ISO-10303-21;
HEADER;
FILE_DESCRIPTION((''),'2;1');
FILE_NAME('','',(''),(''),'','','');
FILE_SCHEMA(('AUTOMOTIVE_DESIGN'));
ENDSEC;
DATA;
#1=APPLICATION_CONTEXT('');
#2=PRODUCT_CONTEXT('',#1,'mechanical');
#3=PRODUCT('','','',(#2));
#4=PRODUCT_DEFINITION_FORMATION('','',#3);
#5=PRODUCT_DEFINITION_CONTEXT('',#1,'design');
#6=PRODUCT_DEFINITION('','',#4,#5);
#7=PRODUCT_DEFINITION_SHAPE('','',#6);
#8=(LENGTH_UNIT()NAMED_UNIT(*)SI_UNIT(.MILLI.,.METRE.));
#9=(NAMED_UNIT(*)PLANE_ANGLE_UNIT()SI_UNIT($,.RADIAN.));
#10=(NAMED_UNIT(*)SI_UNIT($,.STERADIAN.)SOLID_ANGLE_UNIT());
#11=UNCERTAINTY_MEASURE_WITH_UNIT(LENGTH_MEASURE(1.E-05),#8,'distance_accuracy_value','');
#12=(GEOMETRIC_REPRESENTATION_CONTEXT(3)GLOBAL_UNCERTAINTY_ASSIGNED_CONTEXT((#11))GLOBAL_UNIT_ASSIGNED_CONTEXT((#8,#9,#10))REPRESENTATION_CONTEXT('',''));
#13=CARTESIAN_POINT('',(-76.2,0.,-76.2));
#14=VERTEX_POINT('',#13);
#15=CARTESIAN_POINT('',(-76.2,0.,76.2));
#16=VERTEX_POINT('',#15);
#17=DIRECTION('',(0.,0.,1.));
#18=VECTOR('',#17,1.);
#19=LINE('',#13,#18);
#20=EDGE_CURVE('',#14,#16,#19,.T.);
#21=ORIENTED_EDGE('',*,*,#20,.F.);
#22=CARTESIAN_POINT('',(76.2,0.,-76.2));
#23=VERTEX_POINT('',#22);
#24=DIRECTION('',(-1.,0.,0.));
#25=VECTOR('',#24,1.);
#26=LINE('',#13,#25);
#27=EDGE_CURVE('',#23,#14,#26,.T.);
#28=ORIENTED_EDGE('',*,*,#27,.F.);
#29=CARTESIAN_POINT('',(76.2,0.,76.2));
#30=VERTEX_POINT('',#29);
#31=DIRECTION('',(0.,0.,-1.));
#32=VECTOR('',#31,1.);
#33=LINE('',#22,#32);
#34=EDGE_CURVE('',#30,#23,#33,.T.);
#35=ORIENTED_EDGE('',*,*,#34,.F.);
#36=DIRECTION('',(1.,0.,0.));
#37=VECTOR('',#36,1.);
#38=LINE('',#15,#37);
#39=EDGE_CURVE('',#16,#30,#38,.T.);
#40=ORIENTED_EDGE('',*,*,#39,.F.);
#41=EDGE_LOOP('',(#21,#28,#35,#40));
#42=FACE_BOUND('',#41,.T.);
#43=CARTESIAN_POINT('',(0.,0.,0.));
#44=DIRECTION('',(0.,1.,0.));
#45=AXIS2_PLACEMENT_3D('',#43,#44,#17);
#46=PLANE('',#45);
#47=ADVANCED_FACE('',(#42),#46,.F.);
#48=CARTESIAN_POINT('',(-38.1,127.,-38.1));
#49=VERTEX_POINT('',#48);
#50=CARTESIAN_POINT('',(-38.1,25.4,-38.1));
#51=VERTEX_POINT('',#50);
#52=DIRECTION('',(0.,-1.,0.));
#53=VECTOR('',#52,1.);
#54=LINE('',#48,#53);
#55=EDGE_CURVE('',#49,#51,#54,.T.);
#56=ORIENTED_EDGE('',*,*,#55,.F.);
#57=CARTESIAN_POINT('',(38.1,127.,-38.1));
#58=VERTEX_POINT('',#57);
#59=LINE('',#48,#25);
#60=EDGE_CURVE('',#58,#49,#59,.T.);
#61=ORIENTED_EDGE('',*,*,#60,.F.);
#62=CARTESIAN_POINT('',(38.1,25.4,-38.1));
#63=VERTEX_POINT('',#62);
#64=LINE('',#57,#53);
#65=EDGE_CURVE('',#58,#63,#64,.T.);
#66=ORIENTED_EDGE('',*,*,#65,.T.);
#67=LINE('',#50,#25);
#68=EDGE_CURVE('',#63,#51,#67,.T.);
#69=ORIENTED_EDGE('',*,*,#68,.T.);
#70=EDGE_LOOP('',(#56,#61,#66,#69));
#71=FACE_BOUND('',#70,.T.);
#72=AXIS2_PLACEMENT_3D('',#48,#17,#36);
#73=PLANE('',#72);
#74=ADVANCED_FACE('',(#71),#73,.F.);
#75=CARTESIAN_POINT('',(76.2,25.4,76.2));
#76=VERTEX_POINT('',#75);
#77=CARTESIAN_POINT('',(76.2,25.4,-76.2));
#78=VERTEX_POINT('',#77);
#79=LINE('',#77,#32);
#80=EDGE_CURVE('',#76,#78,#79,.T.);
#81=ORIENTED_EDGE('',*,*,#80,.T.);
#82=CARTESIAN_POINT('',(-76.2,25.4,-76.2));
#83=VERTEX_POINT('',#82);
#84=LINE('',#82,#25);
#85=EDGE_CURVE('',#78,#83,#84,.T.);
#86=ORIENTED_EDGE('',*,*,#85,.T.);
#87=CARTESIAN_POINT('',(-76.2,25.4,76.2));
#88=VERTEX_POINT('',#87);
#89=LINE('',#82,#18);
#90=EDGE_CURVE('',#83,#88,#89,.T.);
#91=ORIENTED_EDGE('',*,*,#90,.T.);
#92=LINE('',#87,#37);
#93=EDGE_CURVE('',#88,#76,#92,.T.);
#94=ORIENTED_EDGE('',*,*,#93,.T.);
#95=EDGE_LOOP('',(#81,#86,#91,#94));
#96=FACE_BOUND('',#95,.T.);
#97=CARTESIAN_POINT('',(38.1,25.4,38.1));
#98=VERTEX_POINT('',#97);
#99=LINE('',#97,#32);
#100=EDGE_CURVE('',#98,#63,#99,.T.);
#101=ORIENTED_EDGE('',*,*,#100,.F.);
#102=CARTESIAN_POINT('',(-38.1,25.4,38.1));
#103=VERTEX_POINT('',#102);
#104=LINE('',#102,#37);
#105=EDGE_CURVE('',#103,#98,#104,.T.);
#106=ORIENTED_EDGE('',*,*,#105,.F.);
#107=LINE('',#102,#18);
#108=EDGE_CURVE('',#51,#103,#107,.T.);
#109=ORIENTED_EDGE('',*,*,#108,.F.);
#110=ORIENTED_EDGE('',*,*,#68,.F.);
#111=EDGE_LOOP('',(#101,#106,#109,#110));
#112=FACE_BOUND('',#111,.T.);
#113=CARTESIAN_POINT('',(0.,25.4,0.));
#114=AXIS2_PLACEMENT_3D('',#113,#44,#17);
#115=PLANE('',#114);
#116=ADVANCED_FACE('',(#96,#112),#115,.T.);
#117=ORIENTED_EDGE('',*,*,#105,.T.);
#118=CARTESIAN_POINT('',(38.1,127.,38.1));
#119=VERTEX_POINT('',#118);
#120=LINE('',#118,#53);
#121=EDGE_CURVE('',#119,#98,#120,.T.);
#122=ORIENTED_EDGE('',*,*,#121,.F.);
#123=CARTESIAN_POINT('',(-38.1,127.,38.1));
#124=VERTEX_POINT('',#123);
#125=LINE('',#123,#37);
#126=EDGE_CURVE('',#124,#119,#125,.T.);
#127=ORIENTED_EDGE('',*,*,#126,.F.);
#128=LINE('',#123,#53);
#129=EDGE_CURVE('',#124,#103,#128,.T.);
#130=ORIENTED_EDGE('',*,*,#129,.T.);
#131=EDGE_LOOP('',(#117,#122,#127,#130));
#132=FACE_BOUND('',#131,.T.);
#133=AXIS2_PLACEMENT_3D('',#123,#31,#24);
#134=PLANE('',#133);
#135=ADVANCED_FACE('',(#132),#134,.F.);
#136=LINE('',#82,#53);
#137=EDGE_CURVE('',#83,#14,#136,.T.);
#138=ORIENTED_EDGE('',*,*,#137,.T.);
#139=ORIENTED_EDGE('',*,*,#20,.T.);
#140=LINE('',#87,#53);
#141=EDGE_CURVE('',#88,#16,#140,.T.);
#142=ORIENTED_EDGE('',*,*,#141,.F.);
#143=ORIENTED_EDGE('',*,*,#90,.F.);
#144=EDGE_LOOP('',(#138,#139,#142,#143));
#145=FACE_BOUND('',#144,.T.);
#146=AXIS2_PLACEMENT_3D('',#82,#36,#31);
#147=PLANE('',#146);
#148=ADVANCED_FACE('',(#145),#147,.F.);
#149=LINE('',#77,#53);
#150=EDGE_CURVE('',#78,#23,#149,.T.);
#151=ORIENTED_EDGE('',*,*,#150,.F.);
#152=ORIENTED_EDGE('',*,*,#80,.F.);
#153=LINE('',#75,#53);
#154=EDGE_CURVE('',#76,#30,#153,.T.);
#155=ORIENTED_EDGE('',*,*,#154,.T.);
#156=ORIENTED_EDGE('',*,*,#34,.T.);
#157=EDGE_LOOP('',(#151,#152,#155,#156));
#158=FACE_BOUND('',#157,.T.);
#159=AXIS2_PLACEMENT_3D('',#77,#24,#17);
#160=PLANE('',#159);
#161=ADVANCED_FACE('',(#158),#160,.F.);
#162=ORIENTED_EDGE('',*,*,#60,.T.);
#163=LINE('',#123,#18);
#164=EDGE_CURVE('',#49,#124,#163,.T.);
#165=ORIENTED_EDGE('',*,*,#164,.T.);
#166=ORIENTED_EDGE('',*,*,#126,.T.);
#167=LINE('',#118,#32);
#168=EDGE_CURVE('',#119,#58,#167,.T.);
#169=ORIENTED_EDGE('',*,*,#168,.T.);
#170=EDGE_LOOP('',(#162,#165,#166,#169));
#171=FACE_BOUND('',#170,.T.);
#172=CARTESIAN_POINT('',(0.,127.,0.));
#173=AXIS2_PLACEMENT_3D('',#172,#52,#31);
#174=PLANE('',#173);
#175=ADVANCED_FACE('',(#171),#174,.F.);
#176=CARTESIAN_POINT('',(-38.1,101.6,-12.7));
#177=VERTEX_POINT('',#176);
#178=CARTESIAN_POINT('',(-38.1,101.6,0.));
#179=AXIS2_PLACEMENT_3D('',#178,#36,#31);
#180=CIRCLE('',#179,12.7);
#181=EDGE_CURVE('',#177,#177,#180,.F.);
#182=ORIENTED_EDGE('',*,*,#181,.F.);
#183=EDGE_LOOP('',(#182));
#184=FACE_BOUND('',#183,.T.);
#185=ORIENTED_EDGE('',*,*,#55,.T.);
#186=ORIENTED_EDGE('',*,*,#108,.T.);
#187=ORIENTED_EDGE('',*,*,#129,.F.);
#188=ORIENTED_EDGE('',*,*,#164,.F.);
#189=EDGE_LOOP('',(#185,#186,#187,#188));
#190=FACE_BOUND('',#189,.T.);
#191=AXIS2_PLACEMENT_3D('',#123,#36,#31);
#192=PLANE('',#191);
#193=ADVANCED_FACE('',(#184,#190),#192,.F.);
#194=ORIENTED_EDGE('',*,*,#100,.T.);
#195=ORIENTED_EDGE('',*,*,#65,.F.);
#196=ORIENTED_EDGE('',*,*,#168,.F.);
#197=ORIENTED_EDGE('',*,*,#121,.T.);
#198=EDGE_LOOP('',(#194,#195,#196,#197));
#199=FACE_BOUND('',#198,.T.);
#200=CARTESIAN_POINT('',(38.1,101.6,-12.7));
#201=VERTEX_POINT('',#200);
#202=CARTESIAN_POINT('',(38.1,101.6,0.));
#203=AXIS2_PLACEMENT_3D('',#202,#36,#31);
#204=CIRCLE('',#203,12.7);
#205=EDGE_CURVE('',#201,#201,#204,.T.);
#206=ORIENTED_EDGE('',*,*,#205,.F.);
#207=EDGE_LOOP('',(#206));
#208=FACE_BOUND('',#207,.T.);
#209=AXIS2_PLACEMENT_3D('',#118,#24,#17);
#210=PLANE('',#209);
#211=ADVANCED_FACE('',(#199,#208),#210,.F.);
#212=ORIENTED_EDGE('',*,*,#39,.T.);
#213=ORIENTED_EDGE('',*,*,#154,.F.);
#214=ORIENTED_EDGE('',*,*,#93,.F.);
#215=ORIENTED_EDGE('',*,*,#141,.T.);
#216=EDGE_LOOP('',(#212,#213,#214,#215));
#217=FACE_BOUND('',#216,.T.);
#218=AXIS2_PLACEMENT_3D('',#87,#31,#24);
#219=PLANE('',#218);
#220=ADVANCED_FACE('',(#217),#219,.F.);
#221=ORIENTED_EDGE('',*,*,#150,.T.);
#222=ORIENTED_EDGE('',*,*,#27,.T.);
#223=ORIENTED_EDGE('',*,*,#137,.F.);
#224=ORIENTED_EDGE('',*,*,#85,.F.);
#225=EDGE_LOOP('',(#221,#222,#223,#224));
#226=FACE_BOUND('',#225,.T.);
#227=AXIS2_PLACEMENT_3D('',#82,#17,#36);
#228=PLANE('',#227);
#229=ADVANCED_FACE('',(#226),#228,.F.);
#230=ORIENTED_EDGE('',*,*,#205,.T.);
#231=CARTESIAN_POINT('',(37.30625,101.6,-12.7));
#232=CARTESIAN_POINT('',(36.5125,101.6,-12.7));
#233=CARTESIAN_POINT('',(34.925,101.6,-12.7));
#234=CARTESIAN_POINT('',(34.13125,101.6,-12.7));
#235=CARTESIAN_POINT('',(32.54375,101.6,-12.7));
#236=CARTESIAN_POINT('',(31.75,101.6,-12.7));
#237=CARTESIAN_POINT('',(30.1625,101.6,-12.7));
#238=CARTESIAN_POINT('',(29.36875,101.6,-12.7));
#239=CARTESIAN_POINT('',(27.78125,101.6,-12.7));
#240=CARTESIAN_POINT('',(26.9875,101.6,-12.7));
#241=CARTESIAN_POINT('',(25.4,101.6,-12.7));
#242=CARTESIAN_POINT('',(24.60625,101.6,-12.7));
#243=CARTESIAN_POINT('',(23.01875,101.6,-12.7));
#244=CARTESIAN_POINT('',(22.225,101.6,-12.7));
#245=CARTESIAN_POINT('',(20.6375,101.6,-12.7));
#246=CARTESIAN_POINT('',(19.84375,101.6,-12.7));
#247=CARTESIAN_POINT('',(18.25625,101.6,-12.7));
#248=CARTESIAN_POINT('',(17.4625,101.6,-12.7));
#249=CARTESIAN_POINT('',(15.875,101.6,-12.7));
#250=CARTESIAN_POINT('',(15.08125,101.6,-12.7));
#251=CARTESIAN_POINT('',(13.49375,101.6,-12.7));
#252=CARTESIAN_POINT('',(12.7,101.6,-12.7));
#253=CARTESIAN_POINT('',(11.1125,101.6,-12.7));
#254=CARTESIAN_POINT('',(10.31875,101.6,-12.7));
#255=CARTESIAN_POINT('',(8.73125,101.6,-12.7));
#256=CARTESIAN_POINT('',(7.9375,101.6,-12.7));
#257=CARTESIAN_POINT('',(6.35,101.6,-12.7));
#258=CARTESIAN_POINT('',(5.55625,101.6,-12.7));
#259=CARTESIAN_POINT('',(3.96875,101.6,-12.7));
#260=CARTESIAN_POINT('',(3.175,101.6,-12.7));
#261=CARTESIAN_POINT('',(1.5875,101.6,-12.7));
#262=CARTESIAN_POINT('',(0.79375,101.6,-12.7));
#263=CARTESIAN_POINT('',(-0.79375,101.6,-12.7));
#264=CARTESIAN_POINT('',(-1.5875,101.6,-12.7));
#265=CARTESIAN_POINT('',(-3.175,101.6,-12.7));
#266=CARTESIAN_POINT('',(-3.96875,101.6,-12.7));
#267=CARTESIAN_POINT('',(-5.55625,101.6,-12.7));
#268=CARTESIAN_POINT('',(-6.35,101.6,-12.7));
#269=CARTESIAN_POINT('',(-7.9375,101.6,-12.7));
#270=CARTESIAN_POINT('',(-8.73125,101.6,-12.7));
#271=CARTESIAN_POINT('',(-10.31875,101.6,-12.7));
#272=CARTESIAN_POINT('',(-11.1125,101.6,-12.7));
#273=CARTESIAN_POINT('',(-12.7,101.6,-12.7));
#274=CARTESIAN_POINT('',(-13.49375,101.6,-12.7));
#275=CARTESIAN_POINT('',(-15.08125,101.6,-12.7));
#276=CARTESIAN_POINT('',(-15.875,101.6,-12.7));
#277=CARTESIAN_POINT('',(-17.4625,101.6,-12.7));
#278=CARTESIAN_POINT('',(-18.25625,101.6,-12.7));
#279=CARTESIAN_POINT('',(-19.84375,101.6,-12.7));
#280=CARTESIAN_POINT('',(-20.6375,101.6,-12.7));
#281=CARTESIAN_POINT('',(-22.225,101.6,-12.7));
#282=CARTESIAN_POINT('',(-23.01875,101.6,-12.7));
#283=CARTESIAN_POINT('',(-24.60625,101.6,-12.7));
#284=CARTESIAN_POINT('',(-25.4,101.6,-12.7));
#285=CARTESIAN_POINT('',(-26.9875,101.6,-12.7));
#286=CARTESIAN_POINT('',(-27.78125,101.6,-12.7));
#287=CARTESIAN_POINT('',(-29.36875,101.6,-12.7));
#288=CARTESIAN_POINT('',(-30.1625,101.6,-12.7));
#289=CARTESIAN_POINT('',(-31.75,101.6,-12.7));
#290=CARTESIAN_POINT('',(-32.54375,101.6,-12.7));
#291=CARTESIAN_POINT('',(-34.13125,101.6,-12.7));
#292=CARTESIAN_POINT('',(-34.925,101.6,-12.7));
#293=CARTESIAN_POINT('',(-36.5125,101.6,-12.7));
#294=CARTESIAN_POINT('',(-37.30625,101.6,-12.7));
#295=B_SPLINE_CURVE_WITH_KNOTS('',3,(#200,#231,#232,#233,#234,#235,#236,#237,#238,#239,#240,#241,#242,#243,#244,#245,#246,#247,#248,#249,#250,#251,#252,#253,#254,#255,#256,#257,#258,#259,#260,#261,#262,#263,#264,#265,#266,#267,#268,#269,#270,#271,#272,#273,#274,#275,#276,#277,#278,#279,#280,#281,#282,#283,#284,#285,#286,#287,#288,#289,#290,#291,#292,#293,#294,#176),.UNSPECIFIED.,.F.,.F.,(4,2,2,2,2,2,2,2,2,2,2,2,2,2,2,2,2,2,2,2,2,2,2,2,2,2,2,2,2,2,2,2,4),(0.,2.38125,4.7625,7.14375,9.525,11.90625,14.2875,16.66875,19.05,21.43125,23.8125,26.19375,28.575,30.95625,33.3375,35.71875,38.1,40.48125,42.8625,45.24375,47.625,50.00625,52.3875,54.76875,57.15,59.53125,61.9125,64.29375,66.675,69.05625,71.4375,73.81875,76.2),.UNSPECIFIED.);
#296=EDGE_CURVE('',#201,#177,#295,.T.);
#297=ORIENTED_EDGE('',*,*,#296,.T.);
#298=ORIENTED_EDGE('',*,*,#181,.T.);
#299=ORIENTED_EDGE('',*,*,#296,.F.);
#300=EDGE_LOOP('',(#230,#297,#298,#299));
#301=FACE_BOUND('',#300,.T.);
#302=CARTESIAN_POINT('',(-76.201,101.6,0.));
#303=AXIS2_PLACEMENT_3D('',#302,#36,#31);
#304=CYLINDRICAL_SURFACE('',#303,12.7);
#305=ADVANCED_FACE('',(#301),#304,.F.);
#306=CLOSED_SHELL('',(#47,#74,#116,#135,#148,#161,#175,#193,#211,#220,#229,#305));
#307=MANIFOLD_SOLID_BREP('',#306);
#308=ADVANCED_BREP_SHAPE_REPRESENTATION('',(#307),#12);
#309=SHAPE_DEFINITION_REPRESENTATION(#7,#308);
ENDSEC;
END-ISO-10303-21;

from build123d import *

# Parameters (mm, degrees)
SKETCH1_W           = 152.4
SKETCH1_H           = 152.4
BOSS_EXTRUDE1_DEPTH = 25.4
SKETCH2_W           = 76.2
SKETCH2_H           = 76.2
BOSS_EXTRUDE2_DEPTH = 101.6
CUT_EXTRUDE1_REACH  = 189.083
SKETCH3_R           = 12.7


with BuildPart() as part:
    # Sketch1 → Boss-Extrude1 (new body)
    with BuildSketch(Plane(origin=(0, 0, 0), x_dir=(1, 0, 0), z_dir=(0, 1, 0))):
        Rectangle(SKETCH1_W, SKETCH1_H)
    extrude(amount=BOSS_EXTRUDE1_DEPTH)

    # Sketch2 → Boss-Extrude2 (add)
    with BuildSketch(Plane(origin=(0, 25.4, 0), x_dir=(1, 0, 0), z_dir=(0, 1, 0))):
        Rectangle(SKETCH2_W, SKETCH2_H)
    extrude(amount=BOSS_EXTRUDE2_DEPTH)

    # Sketch3 → Cut-Extrude1 (cut, up to next)
    with BuildSketch(Plane(origin=(38.1, 0, 0), x_dir=(0, 0, -1), z_dir=(1, 0, 0)), mode=Mode.PRIVATE) as cut_extrude1_sk1:
        with Locations((0, 101.6)):
            Circle(SKETCH3_R)
    cut_extrude1_tool1 = extrude(cut_extrude1_sk1.sketch, amount=-CUT_EXTRUDE1_REACH, mode=Mode.PRIVATE) & part.part
    add(cut_extrude1_tool1.solids().sort_by_distance((38.1, 101.6, 0))[0], mode=Mode.SUBTRACT)


solid = part.part
